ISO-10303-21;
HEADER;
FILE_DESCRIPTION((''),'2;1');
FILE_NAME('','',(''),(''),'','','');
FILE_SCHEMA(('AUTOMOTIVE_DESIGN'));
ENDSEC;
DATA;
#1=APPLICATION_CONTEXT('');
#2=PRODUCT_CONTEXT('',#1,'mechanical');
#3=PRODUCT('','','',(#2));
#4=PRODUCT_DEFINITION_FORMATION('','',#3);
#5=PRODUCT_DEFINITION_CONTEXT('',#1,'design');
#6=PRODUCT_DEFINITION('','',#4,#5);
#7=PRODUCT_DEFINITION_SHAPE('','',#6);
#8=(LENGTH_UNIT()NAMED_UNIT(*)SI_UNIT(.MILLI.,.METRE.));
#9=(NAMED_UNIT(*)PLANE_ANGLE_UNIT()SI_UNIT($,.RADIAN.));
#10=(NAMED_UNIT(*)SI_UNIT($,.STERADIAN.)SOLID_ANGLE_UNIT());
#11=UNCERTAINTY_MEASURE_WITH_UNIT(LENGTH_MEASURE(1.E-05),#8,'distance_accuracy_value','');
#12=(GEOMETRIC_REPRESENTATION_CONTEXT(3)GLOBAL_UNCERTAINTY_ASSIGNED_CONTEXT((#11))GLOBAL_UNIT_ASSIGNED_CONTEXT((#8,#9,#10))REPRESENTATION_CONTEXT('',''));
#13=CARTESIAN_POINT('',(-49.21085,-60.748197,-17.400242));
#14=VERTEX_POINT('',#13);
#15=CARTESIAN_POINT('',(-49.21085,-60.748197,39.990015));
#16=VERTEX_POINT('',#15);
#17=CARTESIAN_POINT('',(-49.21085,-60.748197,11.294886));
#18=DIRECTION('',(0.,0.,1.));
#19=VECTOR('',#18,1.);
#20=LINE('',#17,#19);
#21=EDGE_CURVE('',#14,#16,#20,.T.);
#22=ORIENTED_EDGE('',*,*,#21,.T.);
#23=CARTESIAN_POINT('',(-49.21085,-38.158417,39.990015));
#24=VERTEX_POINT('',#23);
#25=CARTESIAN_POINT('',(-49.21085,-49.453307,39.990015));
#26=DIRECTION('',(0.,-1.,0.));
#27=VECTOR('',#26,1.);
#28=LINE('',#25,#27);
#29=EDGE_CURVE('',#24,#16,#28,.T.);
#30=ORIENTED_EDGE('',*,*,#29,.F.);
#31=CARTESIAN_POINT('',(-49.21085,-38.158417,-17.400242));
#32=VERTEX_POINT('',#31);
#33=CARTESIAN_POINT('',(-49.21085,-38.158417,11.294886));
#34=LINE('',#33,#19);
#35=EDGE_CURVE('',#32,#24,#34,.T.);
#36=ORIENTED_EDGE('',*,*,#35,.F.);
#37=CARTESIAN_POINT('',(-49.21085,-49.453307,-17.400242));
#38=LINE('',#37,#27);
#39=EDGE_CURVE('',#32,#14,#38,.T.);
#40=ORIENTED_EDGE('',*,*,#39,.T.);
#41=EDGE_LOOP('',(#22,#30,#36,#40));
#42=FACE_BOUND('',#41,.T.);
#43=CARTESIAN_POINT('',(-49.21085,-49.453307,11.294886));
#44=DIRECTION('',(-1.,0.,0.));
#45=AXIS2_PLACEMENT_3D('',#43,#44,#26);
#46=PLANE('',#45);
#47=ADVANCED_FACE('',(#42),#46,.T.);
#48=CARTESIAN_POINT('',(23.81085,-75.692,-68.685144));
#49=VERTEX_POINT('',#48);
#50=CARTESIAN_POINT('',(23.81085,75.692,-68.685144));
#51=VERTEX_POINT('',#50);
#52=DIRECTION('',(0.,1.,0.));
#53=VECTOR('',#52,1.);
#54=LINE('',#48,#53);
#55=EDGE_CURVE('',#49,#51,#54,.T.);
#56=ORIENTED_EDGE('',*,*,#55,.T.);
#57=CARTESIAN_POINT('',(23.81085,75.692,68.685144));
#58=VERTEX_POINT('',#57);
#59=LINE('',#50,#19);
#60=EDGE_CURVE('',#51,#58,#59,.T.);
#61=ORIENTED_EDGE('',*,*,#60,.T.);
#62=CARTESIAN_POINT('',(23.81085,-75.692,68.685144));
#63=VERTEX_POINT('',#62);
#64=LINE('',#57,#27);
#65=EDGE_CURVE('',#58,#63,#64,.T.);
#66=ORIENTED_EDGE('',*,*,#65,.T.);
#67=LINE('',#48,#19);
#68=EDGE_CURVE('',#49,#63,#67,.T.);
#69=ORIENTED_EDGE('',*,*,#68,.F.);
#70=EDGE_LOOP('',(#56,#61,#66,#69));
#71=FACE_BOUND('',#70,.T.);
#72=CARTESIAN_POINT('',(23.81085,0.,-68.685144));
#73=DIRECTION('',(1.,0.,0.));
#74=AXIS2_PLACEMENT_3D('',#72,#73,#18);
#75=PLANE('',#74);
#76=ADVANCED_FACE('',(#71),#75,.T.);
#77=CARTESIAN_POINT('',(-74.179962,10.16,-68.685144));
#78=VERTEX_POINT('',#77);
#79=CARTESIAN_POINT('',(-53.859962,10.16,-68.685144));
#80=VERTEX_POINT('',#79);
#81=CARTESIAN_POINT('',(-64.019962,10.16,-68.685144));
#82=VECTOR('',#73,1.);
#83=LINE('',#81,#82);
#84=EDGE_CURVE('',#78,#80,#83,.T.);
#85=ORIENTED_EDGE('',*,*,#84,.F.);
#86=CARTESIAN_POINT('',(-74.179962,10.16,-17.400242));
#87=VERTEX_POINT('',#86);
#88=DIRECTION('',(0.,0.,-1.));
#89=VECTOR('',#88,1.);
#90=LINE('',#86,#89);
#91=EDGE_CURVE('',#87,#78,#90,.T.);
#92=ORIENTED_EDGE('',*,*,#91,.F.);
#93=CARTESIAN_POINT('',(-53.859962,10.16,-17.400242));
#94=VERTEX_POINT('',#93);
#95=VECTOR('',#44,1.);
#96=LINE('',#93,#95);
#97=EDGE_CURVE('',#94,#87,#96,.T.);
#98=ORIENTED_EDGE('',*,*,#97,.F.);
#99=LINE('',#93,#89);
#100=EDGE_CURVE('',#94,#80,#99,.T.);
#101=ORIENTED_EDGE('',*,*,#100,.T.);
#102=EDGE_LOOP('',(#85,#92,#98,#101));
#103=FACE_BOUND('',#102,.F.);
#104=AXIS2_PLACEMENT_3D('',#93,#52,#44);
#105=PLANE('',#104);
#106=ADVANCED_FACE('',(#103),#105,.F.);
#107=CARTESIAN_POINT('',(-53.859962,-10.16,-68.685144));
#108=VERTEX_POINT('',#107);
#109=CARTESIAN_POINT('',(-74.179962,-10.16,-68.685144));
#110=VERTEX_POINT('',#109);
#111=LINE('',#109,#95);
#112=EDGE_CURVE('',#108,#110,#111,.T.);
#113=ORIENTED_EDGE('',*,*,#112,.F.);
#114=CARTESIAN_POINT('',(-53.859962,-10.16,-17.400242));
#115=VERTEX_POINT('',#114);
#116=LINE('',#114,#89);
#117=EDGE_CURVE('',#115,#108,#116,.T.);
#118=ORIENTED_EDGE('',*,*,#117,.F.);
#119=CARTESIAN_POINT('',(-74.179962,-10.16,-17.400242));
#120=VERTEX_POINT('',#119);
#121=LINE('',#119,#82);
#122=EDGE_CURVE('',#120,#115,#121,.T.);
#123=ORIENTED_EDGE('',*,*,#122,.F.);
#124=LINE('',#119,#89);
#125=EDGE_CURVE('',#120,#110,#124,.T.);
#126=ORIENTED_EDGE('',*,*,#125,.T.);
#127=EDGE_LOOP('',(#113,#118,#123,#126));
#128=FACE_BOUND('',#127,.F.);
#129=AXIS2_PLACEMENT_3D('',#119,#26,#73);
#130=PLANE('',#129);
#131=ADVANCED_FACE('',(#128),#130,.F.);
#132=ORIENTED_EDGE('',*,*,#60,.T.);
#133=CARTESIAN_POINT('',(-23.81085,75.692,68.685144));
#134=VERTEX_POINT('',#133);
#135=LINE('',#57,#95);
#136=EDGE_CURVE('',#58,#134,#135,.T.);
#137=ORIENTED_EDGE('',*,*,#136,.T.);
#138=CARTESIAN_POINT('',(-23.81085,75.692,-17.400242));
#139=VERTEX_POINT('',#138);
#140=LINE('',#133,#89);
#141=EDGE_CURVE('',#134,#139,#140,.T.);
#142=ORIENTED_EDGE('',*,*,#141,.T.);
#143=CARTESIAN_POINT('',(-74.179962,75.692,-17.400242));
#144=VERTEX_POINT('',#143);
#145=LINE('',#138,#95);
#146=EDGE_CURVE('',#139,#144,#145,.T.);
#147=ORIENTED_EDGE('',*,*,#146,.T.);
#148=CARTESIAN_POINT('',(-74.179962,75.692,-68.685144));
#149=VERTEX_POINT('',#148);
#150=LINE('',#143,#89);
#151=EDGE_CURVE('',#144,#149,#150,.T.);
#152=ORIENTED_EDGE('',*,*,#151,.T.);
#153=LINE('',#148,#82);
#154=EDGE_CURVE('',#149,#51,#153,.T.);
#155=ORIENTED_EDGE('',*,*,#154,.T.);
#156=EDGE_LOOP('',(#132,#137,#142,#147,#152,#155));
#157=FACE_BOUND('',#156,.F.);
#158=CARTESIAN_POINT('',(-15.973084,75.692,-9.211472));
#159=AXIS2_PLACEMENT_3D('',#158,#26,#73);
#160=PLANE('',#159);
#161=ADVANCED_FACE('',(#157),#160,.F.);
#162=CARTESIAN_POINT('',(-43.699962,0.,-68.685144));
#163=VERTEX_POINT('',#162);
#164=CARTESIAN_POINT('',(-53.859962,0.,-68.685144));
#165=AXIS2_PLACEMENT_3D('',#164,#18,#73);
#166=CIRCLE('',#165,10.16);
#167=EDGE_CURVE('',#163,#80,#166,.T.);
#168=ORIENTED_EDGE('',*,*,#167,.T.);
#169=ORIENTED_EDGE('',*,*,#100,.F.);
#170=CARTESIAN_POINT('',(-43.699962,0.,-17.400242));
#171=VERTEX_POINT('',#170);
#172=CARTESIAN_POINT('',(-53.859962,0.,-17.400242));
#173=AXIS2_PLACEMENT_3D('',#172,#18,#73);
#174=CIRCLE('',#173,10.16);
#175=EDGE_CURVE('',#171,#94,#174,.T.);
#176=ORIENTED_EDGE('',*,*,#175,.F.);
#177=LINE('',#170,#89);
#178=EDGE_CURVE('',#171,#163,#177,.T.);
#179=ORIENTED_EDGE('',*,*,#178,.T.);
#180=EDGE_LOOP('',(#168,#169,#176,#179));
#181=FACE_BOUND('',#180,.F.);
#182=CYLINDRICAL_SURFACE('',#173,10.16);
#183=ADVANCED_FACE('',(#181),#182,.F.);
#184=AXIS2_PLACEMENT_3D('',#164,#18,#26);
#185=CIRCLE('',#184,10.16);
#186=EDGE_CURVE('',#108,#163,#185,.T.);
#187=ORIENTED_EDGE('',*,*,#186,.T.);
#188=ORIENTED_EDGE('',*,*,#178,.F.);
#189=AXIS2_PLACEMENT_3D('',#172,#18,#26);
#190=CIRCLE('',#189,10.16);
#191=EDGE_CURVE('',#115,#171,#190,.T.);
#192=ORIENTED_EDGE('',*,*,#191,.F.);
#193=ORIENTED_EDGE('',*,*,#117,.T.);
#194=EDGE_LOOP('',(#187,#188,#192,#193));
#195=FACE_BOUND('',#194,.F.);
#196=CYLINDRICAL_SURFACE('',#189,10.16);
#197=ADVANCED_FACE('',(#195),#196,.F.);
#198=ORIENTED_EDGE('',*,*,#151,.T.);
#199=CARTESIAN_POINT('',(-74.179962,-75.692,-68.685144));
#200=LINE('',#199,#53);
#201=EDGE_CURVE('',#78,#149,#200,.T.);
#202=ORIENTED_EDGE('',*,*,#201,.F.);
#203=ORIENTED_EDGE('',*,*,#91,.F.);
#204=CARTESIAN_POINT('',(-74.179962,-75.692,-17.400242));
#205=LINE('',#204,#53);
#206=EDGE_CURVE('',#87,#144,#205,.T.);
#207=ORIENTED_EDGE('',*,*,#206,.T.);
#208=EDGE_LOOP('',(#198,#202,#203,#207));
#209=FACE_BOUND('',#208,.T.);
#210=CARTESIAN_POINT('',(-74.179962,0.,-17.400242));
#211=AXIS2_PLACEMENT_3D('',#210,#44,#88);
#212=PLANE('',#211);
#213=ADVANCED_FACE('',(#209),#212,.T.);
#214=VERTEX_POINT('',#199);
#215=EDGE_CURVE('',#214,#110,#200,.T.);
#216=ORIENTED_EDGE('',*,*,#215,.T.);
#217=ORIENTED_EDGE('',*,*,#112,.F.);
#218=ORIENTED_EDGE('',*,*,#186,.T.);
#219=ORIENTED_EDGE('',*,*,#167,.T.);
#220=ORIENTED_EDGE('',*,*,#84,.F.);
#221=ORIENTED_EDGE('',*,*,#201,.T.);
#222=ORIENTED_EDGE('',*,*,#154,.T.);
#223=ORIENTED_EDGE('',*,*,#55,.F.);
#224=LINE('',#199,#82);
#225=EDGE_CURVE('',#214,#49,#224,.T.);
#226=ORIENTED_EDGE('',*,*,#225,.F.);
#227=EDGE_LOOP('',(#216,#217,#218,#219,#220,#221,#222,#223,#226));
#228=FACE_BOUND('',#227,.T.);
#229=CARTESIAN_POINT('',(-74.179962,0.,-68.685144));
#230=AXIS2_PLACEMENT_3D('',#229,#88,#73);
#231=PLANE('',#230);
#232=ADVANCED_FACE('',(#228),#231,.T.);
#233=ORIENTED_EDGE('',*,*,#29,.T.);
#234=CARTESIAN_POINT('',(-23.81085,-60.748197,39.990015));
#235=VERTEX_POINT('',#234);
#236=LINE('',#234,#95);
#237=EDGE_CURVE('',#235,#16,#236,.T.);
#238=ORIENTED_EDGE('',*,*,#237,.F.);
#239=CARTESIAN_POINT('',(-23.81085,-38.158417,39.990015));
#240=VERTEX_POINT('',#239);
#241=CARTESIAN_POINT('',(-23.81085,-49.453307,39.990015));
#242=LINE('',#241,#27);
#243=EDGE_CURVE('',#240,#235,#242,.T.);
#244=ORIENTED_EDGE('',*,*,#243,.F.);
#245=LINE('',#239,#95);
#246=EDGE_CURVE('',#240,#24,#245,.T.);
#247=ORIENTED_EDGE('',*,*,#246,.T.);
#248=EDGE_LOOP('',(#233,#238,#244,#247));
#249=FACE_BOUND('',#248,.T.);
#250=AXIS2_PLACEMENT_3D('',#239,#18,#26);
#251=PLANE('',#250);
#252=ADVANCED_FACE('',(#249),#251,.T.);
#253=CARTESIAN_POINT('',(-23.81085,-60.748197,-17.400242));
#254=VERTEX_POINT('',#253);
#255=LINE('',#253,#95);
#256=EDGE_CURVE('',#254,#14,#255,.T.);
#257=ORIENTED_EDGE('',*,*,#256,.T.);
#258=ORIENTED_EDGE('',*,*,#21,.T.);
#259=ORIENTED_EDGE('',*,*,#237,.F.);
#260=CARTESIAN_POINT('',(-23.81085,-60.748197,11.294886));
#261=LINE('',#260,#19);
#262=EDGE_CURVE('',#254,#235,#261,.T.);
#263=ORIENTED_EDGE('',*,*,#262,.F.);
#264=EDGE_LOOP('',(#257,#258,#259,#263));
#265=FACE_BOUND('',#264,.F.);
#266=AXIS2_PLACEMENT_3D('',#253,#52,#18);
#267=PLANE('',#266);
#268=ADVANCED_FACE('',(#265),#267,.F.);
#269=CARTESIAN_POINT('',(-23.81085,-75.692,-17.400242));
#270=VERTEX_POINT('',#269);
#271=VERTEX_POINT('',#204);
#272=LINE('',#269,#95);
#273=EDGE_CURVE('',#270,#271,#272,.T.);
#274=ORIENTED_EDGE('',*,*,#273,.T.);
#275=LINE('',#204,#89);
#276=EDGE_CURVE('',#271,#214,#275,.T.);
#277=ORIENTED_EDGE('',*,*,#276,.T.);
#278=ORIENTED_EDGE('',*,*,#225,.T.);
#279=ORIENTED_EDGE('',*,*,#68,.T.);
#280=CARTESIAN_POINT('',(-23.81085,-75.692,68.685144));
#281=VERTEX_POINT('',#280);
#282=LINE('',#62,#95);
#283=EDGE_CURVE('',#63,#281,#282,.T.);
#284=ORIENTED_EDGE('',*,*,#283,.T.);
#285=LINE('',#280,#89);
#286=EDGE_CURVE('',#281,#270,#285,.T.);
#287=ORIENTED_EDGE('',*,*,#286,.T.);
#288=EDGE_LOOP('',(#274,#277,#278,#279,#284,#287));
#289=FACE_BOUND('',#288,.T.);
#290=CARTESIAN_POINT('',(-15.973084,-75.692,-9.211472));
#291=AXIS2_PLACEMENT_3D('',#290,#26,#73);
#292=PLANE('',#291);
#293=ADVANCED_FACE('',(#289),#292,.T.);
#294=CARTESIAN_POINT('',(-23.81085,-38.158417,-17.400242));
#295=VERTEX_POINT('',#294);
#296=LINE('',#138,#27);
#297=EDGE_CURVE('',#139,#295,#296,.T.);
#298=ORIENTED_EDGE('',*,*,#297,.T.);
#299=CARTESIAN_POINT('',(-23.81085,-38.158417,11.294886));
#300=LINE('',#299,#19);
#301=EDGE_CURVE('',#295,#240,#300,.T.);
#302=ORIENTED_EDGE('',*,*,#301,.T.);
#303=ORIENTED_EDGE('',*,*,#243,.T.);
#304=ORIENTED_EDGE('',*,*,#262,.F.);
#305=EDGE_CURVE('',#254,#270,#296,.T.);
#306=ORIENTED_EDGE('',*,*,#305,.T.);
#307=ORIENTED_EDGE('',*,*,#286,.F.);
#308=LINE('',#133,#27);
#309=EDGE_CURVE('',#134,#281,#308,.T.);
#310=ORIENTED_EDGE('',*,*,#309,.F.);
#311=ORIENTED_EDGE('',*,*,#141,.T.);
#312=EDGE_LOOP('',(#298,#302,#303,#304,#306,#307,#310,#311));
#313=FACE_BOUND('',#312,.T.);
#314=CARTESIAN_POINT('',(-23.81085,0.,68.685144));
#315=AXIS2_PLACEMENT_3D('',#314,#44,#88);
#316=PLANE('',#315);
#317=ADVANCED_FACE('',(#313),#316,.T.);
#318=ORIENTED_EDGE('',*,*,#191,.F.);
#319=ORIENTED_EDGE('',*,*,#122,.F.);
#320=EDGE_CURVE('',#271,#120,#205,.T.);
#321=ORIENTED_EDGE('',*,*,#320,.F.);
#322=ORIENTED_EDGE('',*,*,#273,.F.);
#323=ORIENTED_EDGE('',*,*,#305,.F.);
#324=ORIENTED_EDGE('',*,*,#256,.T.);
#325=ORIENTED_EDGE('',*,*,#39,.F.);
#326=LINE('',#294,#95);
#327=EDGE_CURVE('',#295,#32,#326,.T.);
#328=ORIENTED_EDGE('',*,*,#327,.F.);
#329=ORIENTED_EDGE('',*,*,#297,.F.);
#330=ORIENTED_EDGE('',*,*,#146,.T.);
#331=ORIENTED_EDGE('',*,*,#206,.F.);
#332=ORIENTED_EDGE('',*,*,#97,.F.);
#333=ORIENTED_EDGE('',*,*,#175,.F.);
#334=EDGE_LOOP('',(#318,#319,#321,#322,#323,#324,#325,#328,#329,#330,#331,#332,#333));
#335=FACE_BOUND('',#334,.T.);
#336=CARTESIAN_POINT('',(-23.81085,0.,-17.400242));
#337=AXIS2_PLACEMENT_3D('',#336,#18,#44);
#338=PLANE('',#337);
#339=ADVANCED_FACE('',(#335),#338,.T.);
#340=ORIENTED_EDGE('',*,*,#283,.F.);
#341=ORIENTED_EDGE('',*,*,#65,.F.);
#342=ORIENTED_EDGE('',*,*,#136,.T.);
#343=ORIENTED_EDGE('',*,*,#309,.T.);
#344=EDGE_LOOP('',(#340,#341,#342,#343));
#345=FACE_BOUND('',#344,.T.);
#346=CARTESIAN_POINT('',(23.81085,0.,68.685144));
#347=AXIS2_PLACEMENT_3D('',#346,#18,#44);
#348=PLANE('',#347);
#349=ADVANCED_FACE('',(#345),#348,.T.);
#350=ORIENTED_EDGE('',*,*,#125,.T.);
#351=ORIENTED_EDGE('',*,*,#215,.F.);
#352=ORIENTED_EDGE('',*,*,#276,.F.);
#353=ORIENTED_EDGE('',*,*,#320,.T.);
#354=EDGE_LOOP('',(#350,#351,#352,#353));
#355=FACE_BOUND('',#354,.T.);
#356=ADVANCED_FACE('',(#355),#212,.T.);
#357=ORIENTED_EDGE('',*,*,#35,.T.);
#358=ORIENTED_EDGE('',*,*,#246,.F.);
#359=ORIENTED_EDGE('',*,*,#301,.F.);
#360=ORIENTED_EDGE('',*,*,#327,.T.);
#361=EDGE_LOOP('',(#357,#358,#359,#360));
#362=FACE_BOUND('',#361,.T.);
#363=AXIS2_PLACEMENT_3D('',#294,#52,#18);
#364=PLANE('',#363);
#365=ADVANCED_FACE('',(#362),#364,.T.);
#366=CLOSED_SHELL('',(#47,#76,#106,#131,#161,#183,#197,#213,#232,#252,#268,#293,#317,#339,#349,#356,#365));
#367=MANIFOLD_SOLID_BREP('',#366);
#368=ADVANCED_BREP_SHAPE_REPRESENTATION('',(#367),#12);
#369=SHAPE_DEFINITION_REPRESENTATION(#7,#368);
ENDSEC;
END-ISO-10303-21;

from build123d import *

# Parameters (mm, degrees)
F1_DEPTH = 75.692
F3_DEPTH = 51.2859017978
F4_W     = 22.5897803903
F4_H     = 57.3902577162
F5_DEPTH = 25.4


with BuildPart() as f1:
    # F0 (on Front) → F1 (new body, symmetric)
    with BuildSketch(Plane.XZ):
        Polygon((-23.8108504564, -68.685144186), (23.8108504564, -68.685144186), (23.8108504564, -17.4002423882), (23.8108504564, 68.685144186), (-23.8108504564, 68.685144186), (-23.8108504564, -17.4002423882), (-74.1799622774, -17.4002423882), (-74.1799622774, -68.685144186), align=None)
    extrude(amount=F1_DEPTH, both=True)

    # F2 (on face) → F3 (cut, through all)
    with BuildSketch(Plane.XY.offset(-17.4002423882)):
        with BuildLine():
            ThreePointArc((-53.8599622774, -10.16), (-46.6757573806, -7.1842048969), (-43.6999622774, 0))
            ThreePointArc((-43.6999622774, 0), (-46.6757573806, 7.1842048969), (-53.8599622774, 10.16))
            ThreePointArc((-53.8599622774, 10.16), (-64.0199622774, 0), (-53.8599622774, -10.16))
        make_face()
        with BuildLine():
            ThreePointArc((-53.8599622774, -10.16), (-64.0199622774, 0), (-53.8599622774, 10.16))
            Line((-53.8599622774, 10.16), (-74.1799622774, 10.16))
            Line((-74.1799622774, 10.16), (-74.1799622774, -10.16))
            Line((-74.1799622774, -10.16), (-53.8599622774, -10.16))
        make_face()
    extrude(amount=-F3_DEPTH, mode=Mode.SUBTRACT)

    # F4 (on face) → F5 (join)
    with BuildSketch(Plane(origin=(-23.8108504564, 0, 0), x_dir=(0, -1, 0), z_dir=(-1, 0, 0))):
        with Locations((49.4533069432, 11.2948864698)):
            Rectangle(F4_W, F4_H)
    extrude(amount=F5_DEPTH)


solid = f1.part
